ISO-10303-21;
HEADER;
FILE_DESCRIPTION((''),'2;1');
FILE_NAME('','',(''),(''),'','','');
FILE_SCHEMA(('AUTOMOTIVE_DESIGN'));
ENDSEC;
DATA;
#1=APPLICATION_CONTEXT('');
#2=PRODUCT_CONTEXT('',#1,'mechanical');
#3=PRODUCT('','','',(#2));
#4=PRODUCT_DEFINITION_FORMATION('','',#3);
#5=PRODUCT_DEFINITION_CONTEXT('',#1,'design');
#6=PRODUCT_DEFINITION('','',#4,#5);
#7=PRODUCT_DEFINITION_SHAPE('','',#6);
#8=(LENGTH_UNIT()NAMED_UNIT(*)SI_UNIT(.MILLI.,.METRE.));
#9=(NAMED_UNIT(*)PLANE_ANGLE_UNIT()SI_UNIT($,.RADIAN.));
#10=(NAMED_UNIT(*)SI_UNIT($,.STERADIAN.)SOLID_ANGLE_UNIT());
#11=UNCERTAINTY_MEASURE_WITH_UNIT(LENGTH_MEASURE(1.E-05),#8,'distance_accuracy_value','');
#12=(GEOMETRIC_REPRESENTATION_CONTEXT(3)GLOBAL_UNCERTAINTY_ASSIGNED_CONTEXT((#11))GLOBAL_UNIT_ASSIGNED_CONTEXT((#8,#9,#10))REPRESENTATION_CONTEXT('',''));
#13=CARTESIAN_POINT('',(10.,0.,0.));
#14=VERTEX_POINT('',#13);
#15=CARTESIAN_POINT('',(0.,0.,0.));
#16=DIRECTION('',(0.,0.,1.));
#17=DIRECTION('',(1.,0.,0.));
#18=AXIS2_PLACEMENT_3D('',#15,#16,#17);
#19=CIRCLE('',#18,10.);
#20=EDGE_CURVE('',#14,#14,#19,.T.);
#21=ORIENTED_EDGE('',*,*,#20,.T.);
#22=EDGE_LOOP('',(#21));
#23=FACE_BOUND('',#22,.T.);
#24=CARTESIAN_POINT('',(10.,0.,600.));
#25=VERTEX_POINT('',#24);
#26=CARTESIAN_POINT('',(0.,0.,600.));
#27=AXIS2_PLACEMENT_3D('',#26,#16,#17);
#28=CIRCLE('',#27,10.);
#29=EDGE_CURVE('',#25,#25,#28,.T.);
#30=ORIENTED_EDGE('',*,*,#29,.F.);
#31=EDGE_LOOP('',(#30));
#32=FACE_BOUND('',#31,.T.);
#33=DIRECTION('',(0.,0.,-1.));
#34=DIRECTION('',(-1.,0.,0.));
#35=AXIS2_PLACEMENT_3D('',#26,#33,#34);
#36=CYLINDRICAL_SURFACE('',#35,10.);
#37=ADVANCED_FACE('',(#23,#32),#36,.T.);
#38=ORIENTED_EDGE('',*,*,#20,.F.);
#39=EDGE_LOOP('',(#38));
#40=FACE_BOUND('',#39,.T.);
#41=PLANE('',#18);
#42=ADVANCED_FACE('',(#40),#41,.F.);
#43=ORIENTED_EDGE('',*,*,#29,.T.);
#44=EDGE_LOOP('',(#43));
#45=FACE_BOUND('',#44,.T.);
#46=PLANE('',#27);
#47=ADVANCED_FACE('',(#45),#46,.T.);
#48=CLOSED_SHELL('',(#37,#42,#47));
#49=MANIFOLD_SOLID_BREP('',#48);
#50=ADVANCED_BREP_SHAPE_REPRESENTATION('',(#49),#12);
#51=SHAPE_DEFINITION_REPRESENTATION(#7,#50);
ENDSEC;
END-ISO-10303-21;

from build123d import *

# Parameters (mm, degrees)
SKETCH1_R           = 10
BOSS_EXTRUDE2_DEPTH = 600


with BuildPart() as part:
    # Sketch1 → Boss-Extrude2 (new body)
    with BuildSketch(Plane.XY):
        Circle(SKETCH1_R)
    extrude(amount=BOSS_EXTRUDE2_DEPTH)


solid = part.part
